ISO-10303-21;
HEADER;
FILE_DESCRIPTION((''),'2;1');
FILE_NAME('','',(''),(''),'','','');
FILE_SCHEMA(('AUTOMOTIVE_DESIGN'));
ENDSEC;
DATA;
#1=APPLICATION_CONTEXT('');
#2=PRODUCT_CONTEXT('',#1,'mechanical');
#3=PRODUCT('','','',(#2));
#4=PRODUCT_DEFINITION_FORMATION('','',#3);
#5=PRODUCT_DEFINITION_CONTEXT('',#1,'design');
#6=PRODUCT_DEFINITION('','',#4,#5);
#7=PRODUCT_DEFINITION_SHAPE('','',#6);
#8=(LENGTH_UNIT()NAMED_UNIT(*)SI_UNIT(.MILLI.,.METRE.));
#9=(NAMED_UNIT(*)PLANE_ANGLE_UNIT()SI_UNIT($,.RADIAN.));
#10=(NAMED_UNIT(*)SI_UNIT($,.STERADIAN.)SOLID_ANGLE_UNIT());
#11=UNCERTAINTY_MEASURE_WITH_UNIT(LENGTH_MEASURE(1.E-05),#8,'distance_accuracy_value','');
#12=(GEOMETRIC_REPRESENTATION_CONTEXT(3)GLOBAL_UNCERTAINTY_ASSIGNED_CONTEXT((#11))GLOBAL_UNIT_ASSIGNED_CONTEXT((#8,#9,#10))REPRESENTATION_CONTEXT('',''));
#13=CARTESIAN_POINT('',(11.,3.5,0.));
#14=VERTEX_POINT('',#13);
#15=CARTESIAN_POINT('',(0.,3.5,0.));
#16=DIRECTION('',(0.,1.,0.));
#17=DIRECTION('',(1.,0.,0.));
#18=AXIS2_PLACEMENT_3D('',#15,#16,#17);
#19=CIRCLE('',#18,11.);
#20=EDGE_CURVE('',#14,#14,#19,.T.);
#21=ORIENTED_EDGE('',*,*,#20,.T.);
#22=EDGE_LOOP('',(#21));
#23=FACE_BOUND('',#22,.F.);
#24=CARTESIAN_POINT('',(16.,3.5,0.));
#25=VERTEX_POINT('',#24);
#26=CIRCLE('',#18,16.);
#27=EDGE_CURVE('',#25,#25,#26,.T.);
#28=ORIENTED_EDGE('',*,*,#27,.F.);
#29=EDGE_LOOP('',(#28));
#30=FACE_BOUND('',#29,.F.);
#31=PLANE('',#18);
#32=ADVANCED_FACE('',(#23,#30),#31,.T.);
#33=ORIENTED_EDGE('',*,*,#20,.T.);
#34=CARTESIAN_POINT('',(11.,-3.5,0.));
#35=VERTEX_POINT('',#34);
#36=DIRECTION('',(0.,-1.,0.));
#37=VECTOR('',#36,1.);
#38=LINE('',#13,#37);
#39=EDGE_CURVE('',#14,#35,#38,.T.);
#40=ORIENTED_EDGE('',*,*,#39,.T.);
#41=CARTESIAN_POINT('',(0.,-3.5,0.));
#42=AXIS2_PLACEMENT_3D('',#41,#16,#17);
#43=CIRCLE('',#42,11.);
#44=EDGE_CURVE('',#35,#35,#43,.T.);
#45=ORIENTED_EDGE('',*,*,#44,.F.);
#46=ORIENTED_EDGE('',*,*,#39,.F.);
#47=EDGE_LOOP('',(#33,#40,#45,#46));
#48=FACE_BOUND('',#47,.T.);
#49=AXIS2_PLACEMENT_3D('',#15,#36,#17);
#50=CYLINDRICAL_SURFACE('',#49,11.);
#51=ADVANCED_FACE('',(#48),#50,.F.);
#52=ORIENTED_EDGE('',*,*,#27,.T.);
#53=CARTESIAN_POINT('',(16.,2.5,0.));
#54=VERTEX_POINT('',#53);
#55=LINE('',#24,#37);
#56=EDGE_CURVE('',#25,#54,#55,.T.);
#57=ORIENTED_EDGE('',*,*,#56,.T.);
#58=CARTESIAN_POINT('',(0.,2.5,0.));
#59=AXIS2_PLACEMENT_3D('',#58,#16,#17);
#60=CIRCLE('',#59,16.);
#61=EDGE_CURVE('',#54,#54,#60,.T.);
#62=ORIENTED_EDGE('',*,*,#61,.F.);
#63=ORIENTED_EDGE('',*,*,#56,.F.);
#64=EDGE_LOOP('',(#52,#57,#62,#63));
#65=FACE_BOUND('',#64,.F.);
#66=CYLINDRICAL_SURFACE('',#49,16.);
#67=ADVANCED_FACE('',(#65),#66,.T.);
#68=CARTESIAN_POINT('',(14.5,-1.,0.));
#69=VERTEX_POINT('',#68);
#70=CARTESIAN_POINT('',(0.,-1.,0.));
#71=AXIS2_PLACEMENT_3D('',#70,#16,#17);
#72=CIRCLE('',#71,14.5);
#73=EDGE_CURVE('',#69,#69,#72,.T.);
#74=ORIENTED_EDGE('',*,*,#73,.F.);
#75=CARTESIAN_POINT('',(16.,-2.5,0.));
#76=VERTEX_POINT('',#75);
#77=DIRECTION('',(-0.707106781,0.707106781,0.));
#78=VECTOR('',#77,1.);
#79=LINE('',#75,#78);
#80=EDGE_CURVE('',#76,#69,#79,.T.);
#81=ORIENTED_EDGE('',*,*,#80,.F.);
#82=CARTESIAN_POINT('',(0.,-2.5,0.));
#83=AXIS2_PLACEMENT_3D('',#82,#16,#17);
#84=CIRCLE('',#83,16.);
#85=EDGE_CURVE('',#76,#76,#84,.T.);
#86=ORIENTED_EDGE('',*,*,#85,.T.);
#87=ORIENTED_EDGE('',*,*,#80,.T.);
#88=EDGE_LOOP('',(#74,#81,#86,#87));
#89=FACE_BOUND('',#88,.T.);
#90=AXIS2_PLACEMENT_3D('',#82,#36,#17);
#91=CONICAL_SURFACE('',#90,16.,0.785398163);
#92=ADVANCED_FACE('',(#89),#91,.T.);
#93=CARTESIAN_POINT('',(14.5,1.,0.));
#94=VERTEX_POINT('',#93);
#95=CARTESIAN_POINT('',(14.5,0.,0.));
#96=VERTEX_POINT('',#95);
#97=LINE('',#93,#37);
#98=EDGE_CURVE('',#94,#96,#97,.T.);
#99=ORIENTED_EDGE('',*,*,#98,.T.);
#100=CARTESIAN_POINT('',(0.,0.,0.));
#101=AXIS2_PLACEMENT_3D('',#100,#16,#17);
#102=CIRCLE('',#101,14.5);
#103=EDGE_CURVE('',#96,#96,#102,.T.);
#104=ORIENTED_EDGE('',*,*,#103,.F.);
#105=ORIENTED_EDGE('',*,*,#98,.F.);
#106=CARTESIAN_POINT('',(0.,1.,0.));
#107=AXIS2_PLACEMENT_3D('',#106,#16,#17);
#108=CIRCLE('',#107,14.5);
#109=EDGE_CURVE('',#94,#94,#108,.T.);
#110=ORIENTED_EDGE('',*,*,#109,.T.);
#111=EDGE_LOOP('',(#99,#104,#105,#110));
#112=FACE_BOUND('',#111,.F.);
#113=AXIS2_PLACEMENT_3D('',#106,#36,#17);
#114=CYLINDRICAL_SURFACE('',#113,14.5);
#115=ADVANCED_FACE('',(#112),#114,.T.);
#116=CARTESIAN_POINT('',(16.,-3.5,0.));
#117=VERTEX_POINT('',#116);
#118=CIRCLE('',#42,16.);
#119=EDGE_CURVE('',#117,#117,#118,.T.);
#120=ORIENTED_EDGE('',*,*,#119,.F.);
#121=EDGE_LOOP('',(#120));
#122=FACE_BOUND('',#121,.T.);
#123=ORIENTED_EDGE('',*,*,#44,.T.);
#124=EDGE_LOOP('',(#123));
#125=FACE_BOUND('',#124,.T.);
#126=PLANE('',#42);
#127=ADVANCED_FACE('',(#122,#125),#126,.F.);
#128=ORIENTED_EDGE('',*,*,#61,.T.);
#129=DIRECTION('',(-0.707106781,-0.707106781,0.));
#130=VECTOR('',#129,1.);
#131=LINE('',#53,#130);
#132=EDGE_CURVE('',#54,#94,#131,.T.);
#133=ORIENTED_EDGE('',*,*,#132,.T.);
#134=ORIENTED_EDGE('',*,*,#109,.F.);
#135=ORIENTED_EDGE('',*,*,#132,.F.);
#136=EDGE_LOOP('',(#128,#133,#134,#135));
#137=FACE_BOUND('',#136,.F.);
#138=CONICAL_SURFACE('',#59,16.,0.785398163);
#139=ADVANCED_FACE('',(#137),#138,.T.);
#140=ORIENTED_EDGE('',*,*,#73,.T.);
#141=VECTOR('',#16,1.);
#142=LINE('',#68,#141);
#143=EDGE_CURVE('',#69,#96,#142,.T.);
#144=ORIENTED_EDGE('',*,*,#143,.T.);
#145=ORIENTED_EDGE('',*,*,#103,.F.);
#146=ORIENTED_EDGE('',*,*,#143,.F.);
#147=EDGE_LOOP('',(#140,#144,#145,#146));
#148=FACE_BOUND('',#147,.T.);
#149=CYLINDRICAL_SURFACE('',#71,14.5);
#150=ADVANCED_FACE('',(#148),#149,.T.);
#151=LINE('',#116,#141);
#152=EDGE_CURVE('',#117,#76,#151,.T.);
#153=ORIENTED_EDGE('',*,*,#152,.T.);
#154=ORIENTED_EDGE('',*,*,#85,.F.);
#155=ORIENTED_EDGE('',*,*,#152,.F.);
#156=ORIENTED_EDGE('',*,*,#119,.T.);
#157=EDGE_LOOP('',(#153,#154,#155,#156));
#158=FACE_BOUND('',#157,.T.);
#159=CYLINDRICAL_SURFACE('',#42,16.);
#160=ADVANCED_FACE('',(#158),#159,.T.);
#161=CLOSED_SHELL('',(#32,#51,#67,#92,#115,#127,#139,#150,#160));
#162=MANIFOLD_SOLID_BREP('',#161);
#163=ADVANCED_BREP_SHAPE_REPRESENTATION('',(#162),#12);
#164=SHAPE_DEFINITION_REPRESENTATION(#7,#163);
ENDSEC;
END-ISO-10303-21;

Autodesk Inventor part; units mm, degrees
ref_plane "YZ Plane" through (0, 0, 0) normal (1, 0, 0) x (0, 1, 0)
ref_plane "XZ Plane" through (0, 0, 0) normal (0, 1, 0) x (-1, 0, 0)
ref_plane "XY Plane" through (0, 0, 0) normal (0, 0, 1) x (1, 0, 0)
sketch "Boceto1" plane through (0, 0, 0) normal (0, 0, 1) x (1, 0, 0)
  line L0 (11, 3.5) -> (11, -3.5)
  line L1 (11, 3.5) -> (16, 3.5)
  line L2 (16, 3.5) -> (16, 2.5)
  line L3 (16, 2.5) -> (14.5, 1)
  line L4 (14.5, 1) -> (14.5, 0)
  line L5 (11, -3.5) -> (16, -3.5)
  line L6 (16, -3.5) -> (16, -2.5)
  line L7 (16, -2.5) -> (14.5, -1)
  line L8 (14.5, -1) -> (14.5, 0)
  line L9 (0, 4.9) -> (0, -4.9) projected
  line L10 (0, -4.9) -> (0, 4.9) projected
  point P0 (0, 0)
  dimension "d2" = 5
  dimension "d3" = 1
  dimension "d4" = 135
  dimension "d5" = 1.5
  dimension "d6" = 7
  dimension "d7" = 11
revolve "Revolución1" add sketch "Boceto1" angle 360 about axis through (0, -10, 0) along (0, 1, 0)
properties part number "Polea_3DPrint"
